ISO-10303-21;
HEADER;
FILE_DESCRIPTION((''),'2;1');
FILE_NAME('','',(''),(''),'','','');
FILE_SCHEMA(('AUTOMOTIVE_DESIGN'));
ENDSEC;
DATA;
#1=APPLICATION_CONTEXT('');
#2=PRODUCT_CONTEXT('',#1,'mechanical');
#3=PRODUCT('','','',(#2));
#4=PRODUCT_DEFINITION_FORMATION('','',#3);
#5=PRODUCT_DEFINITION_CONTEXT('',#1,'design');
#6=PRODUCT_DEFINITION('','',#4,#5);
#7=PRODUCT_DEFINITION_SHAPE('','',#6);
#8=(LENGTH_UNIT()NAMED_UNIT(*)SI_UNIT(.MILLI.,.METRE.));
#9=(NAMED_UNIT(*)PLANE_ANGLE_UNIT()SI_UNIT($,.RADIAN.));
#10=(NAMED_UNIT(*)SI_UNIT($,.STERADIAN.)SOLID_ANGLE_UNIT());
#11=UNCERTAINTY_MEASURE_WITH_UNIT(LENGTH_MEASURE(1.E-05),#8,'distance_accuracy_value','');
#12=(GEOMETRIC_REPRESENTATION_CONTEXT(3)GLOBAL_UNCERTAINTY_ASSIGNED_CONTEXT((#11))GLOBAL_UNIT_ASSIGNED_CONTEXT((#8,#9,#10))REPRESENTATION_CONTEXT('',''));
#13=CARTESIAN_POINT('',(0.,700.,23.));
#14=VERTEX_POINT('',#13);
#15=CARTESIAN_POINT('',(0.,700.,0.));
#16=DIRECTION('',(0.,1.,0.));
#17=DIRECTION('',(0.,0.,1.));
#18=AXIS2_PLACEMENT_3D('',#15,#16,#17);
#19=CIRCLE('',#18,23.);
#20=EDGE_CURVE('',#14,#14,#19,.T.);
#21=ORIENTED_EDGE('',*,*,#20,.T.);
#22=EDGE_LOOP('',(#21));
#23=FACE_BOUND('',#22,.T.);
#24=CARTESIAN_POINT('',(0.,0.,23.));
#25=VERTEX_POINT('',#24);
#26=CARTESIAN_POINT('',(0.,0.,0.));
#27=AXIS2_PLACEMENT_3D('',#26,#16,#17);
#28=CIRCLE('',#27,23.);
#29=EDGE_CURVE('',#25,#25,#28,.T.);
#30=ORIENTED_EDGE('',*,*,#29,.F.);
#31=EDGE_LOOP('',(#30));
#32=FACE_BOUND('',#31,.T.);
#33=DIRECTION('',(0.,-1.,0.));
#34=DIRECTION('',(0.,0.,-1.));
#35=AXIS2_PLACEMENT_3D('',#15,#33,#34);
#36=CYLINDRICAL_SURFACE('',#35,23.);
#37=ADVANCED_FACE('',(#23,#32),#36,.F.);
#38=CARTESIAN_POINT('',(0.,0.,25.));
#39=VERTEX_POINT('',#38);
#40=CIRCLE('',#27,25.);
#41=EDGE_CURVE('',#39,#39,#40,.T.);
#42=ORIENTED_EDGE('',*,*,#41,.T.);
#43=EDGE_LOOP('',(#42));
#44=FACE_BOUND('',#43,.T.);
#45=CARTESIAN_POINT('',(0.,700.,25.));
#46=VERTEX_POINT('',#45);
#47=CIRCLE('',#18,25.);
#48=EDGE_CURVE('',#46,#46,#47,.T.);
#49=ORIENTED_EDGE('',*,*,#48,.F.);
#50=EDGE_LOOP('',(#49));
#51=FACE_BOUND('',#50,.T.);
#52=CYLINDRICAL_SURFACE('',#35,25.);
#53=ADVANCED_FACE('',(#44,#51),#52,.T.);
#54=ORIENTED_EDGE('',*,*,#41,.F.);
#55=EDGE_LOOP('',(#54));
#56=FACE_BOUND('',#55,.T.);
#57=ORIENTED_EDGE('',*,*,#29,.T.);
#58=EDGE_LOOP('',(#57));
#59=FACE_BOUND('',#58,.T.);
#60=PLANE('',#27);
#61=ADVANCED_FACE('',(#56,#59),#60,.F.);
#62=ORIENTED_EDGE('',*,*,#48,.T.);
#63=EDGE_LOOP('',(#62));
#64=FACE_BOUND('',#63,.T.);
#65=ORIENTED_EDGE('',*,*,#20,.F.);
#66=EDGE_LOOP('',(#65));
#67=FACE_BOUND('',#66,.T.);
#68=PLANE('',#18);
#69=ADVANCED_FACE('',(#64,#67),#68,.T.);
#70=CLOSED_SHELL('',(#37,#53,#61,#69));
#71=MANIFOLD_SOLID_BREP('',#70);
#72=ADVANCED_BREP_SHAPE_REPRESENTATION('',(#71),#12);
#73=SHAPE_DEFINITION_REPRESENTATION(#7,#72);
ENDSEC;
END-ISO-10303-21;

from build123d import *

# Parameters (mm, degrees)
SKETCH_1_R      = 25
SKETCH_1_R_2    = 23
EXTRUDE_1_DEPTH = 700


with BuildPart() as part:
    # Эскиз1 → Бобышка-Вытянуть1 (new body)
    with BuildSketch(Plane(origin=(0, 0, 0), x_dir=(1, 0, 0), z_dir=(0, 1, 0))):
        with Locations(Location((0, 0, 0), (0, 0, 270))):
            Circle(SKETCH_1_R)
        with Locations(Location((0, 0, 0), (0, 0, 270))):
            Circle(SKETCH_1_R_2, mode=Mode.SUBTRACT)
    extrude(amount=EXTRUDE_1_DEPTH)


solid = part.part
